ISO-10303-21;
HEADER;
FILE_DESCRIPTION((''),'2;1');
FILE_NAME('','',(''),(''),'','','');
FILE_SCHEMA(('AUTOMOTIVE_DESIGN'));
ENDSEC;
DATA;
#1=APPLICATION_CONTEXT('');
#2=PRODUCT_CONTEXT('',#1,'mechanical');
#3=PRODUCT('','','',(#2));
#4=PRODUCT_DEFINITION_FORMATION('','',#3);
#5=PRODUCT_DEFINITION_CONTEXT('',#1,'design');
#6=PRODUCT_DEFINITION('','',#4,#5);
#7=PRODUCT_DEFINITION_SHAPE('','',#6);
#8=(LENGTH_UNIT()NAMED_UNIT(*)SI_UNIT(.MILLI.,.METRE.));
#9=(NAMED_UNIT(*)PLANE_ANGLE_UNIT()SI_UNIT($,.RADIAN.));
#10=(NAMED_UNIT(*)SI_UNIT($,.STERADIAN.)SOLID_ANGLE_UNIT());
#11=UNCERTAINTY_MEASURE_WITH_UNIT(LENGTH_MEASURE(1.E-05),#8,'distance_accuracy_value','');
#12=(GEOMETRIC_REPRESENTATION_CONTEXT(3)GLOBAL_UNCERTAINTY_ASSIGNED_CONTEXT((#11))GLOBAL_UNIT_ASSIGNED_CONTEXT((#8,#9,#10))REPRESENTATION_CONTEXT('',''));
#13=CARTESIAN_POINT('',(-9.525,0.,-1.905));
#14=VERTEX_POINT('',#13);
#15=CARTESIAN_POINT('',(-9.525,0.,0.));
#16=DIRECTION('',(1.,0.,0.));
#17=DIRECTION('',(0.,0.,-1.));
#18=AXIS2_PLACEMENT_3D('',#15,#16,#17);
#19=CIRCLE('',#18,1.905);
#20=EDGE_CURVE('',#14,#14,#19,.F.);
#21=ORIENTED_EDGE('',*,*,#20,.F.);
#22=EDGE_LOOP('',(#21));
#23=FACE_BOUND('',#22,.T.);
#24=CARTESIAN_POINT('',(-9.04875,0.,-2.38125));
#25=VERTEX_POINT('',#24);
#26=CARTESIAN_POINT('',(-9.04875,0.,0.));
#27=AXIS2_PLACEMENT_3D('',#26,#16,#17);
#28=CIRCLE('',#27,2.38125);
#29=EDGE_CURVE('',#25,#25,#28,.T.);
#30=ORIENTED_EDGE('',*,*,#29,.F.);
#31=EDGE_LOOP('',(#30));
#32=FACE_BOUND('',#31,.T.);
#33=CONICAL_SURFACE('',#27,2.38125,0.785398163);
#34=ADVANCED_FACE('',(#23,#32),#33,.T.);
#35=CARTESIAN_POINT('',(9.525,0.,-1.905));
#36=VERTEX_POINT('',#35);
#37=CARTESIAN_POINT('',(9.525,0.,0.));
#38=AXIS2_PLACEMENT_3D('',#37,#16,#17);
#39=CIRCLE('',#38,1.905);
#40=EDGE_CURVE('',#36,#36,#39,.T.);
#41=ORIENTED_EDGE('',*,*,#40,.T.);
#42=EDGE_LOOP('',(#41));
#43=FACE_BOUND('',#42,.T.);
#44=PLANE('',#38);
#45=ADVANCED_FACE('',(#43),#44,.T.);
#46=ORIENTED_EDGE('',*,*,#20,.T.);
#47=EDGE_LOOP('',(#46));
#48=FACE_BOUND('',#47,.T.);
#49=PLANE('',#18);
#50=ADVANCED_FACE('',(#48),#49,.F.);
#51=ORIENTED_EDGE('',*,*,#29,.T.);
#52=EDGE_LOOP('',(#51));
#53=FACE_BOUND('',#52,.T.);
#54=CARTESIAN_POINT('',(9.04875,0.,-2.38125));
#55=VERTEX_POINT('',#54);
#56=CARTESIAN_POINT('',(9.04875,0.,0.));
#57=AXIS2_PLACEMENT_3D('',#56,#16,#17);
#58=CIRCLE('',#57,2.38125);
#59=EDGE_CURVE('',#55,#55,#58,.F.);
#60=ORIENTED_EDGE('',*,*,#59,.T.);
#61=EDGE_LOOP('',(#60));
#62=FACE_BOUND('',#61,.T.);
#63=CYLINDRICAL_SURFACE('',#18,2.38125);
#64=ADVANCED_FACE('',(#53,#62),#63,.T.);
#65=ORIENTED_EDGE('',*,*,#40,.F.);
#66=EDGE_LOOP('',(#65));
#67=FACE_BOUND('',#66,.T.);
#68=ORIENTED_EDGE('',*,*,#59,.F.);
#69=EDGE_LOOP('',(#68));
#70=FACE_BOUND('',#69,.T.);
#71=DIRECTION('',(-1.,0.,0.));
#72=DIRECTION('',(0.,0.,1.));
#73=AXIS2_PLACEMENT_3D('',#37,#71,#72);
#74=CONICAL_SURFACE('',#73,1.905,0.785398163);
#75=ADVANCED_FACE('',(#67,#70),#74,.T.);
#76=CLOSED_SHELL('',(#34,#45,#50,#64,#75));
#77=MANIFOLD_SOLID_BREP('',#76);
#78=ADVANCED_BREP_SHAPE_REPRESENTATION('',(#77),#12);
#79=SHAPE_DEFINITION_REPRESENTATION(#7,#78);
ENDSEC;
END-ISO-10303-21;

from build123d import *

# Parameters (mm, degrees)
SKETCH2_R           = 2.38125
EXTRUDE1_DEPTH      = 9.525
EXTRUDE1_DEPTH_BACK = 9.525
CHAMFER1_SIZE       = 0.47625


with BuildPart() as part:
    # Sketch2 → Extrude1 (new body, two sides)
    with BuildSketch(Plane(origin=(0, 0, 0), x_dir=(0, 0, -1), z_dir=(1, 0, 0))) as extrude1_sk:
        Circle(SKETCH2_R)
    extrude(amount=EXTRUDE1_DEPTH)
    extrude(extrude1_sk.sketch, amount=-EXTRUDE1_DEPTH_BACK)

    # Chamfer1
    chamfer1_edges = [part.edges().sort_by_distance(p)[0] for p in [
        (-9.525, 0, 2.38125),
        (9.525, 0, 2.38125),
    ]]
    chamfer(chamfer1_edges, length=CHAMFER1_SIZE)


solid = part.part
